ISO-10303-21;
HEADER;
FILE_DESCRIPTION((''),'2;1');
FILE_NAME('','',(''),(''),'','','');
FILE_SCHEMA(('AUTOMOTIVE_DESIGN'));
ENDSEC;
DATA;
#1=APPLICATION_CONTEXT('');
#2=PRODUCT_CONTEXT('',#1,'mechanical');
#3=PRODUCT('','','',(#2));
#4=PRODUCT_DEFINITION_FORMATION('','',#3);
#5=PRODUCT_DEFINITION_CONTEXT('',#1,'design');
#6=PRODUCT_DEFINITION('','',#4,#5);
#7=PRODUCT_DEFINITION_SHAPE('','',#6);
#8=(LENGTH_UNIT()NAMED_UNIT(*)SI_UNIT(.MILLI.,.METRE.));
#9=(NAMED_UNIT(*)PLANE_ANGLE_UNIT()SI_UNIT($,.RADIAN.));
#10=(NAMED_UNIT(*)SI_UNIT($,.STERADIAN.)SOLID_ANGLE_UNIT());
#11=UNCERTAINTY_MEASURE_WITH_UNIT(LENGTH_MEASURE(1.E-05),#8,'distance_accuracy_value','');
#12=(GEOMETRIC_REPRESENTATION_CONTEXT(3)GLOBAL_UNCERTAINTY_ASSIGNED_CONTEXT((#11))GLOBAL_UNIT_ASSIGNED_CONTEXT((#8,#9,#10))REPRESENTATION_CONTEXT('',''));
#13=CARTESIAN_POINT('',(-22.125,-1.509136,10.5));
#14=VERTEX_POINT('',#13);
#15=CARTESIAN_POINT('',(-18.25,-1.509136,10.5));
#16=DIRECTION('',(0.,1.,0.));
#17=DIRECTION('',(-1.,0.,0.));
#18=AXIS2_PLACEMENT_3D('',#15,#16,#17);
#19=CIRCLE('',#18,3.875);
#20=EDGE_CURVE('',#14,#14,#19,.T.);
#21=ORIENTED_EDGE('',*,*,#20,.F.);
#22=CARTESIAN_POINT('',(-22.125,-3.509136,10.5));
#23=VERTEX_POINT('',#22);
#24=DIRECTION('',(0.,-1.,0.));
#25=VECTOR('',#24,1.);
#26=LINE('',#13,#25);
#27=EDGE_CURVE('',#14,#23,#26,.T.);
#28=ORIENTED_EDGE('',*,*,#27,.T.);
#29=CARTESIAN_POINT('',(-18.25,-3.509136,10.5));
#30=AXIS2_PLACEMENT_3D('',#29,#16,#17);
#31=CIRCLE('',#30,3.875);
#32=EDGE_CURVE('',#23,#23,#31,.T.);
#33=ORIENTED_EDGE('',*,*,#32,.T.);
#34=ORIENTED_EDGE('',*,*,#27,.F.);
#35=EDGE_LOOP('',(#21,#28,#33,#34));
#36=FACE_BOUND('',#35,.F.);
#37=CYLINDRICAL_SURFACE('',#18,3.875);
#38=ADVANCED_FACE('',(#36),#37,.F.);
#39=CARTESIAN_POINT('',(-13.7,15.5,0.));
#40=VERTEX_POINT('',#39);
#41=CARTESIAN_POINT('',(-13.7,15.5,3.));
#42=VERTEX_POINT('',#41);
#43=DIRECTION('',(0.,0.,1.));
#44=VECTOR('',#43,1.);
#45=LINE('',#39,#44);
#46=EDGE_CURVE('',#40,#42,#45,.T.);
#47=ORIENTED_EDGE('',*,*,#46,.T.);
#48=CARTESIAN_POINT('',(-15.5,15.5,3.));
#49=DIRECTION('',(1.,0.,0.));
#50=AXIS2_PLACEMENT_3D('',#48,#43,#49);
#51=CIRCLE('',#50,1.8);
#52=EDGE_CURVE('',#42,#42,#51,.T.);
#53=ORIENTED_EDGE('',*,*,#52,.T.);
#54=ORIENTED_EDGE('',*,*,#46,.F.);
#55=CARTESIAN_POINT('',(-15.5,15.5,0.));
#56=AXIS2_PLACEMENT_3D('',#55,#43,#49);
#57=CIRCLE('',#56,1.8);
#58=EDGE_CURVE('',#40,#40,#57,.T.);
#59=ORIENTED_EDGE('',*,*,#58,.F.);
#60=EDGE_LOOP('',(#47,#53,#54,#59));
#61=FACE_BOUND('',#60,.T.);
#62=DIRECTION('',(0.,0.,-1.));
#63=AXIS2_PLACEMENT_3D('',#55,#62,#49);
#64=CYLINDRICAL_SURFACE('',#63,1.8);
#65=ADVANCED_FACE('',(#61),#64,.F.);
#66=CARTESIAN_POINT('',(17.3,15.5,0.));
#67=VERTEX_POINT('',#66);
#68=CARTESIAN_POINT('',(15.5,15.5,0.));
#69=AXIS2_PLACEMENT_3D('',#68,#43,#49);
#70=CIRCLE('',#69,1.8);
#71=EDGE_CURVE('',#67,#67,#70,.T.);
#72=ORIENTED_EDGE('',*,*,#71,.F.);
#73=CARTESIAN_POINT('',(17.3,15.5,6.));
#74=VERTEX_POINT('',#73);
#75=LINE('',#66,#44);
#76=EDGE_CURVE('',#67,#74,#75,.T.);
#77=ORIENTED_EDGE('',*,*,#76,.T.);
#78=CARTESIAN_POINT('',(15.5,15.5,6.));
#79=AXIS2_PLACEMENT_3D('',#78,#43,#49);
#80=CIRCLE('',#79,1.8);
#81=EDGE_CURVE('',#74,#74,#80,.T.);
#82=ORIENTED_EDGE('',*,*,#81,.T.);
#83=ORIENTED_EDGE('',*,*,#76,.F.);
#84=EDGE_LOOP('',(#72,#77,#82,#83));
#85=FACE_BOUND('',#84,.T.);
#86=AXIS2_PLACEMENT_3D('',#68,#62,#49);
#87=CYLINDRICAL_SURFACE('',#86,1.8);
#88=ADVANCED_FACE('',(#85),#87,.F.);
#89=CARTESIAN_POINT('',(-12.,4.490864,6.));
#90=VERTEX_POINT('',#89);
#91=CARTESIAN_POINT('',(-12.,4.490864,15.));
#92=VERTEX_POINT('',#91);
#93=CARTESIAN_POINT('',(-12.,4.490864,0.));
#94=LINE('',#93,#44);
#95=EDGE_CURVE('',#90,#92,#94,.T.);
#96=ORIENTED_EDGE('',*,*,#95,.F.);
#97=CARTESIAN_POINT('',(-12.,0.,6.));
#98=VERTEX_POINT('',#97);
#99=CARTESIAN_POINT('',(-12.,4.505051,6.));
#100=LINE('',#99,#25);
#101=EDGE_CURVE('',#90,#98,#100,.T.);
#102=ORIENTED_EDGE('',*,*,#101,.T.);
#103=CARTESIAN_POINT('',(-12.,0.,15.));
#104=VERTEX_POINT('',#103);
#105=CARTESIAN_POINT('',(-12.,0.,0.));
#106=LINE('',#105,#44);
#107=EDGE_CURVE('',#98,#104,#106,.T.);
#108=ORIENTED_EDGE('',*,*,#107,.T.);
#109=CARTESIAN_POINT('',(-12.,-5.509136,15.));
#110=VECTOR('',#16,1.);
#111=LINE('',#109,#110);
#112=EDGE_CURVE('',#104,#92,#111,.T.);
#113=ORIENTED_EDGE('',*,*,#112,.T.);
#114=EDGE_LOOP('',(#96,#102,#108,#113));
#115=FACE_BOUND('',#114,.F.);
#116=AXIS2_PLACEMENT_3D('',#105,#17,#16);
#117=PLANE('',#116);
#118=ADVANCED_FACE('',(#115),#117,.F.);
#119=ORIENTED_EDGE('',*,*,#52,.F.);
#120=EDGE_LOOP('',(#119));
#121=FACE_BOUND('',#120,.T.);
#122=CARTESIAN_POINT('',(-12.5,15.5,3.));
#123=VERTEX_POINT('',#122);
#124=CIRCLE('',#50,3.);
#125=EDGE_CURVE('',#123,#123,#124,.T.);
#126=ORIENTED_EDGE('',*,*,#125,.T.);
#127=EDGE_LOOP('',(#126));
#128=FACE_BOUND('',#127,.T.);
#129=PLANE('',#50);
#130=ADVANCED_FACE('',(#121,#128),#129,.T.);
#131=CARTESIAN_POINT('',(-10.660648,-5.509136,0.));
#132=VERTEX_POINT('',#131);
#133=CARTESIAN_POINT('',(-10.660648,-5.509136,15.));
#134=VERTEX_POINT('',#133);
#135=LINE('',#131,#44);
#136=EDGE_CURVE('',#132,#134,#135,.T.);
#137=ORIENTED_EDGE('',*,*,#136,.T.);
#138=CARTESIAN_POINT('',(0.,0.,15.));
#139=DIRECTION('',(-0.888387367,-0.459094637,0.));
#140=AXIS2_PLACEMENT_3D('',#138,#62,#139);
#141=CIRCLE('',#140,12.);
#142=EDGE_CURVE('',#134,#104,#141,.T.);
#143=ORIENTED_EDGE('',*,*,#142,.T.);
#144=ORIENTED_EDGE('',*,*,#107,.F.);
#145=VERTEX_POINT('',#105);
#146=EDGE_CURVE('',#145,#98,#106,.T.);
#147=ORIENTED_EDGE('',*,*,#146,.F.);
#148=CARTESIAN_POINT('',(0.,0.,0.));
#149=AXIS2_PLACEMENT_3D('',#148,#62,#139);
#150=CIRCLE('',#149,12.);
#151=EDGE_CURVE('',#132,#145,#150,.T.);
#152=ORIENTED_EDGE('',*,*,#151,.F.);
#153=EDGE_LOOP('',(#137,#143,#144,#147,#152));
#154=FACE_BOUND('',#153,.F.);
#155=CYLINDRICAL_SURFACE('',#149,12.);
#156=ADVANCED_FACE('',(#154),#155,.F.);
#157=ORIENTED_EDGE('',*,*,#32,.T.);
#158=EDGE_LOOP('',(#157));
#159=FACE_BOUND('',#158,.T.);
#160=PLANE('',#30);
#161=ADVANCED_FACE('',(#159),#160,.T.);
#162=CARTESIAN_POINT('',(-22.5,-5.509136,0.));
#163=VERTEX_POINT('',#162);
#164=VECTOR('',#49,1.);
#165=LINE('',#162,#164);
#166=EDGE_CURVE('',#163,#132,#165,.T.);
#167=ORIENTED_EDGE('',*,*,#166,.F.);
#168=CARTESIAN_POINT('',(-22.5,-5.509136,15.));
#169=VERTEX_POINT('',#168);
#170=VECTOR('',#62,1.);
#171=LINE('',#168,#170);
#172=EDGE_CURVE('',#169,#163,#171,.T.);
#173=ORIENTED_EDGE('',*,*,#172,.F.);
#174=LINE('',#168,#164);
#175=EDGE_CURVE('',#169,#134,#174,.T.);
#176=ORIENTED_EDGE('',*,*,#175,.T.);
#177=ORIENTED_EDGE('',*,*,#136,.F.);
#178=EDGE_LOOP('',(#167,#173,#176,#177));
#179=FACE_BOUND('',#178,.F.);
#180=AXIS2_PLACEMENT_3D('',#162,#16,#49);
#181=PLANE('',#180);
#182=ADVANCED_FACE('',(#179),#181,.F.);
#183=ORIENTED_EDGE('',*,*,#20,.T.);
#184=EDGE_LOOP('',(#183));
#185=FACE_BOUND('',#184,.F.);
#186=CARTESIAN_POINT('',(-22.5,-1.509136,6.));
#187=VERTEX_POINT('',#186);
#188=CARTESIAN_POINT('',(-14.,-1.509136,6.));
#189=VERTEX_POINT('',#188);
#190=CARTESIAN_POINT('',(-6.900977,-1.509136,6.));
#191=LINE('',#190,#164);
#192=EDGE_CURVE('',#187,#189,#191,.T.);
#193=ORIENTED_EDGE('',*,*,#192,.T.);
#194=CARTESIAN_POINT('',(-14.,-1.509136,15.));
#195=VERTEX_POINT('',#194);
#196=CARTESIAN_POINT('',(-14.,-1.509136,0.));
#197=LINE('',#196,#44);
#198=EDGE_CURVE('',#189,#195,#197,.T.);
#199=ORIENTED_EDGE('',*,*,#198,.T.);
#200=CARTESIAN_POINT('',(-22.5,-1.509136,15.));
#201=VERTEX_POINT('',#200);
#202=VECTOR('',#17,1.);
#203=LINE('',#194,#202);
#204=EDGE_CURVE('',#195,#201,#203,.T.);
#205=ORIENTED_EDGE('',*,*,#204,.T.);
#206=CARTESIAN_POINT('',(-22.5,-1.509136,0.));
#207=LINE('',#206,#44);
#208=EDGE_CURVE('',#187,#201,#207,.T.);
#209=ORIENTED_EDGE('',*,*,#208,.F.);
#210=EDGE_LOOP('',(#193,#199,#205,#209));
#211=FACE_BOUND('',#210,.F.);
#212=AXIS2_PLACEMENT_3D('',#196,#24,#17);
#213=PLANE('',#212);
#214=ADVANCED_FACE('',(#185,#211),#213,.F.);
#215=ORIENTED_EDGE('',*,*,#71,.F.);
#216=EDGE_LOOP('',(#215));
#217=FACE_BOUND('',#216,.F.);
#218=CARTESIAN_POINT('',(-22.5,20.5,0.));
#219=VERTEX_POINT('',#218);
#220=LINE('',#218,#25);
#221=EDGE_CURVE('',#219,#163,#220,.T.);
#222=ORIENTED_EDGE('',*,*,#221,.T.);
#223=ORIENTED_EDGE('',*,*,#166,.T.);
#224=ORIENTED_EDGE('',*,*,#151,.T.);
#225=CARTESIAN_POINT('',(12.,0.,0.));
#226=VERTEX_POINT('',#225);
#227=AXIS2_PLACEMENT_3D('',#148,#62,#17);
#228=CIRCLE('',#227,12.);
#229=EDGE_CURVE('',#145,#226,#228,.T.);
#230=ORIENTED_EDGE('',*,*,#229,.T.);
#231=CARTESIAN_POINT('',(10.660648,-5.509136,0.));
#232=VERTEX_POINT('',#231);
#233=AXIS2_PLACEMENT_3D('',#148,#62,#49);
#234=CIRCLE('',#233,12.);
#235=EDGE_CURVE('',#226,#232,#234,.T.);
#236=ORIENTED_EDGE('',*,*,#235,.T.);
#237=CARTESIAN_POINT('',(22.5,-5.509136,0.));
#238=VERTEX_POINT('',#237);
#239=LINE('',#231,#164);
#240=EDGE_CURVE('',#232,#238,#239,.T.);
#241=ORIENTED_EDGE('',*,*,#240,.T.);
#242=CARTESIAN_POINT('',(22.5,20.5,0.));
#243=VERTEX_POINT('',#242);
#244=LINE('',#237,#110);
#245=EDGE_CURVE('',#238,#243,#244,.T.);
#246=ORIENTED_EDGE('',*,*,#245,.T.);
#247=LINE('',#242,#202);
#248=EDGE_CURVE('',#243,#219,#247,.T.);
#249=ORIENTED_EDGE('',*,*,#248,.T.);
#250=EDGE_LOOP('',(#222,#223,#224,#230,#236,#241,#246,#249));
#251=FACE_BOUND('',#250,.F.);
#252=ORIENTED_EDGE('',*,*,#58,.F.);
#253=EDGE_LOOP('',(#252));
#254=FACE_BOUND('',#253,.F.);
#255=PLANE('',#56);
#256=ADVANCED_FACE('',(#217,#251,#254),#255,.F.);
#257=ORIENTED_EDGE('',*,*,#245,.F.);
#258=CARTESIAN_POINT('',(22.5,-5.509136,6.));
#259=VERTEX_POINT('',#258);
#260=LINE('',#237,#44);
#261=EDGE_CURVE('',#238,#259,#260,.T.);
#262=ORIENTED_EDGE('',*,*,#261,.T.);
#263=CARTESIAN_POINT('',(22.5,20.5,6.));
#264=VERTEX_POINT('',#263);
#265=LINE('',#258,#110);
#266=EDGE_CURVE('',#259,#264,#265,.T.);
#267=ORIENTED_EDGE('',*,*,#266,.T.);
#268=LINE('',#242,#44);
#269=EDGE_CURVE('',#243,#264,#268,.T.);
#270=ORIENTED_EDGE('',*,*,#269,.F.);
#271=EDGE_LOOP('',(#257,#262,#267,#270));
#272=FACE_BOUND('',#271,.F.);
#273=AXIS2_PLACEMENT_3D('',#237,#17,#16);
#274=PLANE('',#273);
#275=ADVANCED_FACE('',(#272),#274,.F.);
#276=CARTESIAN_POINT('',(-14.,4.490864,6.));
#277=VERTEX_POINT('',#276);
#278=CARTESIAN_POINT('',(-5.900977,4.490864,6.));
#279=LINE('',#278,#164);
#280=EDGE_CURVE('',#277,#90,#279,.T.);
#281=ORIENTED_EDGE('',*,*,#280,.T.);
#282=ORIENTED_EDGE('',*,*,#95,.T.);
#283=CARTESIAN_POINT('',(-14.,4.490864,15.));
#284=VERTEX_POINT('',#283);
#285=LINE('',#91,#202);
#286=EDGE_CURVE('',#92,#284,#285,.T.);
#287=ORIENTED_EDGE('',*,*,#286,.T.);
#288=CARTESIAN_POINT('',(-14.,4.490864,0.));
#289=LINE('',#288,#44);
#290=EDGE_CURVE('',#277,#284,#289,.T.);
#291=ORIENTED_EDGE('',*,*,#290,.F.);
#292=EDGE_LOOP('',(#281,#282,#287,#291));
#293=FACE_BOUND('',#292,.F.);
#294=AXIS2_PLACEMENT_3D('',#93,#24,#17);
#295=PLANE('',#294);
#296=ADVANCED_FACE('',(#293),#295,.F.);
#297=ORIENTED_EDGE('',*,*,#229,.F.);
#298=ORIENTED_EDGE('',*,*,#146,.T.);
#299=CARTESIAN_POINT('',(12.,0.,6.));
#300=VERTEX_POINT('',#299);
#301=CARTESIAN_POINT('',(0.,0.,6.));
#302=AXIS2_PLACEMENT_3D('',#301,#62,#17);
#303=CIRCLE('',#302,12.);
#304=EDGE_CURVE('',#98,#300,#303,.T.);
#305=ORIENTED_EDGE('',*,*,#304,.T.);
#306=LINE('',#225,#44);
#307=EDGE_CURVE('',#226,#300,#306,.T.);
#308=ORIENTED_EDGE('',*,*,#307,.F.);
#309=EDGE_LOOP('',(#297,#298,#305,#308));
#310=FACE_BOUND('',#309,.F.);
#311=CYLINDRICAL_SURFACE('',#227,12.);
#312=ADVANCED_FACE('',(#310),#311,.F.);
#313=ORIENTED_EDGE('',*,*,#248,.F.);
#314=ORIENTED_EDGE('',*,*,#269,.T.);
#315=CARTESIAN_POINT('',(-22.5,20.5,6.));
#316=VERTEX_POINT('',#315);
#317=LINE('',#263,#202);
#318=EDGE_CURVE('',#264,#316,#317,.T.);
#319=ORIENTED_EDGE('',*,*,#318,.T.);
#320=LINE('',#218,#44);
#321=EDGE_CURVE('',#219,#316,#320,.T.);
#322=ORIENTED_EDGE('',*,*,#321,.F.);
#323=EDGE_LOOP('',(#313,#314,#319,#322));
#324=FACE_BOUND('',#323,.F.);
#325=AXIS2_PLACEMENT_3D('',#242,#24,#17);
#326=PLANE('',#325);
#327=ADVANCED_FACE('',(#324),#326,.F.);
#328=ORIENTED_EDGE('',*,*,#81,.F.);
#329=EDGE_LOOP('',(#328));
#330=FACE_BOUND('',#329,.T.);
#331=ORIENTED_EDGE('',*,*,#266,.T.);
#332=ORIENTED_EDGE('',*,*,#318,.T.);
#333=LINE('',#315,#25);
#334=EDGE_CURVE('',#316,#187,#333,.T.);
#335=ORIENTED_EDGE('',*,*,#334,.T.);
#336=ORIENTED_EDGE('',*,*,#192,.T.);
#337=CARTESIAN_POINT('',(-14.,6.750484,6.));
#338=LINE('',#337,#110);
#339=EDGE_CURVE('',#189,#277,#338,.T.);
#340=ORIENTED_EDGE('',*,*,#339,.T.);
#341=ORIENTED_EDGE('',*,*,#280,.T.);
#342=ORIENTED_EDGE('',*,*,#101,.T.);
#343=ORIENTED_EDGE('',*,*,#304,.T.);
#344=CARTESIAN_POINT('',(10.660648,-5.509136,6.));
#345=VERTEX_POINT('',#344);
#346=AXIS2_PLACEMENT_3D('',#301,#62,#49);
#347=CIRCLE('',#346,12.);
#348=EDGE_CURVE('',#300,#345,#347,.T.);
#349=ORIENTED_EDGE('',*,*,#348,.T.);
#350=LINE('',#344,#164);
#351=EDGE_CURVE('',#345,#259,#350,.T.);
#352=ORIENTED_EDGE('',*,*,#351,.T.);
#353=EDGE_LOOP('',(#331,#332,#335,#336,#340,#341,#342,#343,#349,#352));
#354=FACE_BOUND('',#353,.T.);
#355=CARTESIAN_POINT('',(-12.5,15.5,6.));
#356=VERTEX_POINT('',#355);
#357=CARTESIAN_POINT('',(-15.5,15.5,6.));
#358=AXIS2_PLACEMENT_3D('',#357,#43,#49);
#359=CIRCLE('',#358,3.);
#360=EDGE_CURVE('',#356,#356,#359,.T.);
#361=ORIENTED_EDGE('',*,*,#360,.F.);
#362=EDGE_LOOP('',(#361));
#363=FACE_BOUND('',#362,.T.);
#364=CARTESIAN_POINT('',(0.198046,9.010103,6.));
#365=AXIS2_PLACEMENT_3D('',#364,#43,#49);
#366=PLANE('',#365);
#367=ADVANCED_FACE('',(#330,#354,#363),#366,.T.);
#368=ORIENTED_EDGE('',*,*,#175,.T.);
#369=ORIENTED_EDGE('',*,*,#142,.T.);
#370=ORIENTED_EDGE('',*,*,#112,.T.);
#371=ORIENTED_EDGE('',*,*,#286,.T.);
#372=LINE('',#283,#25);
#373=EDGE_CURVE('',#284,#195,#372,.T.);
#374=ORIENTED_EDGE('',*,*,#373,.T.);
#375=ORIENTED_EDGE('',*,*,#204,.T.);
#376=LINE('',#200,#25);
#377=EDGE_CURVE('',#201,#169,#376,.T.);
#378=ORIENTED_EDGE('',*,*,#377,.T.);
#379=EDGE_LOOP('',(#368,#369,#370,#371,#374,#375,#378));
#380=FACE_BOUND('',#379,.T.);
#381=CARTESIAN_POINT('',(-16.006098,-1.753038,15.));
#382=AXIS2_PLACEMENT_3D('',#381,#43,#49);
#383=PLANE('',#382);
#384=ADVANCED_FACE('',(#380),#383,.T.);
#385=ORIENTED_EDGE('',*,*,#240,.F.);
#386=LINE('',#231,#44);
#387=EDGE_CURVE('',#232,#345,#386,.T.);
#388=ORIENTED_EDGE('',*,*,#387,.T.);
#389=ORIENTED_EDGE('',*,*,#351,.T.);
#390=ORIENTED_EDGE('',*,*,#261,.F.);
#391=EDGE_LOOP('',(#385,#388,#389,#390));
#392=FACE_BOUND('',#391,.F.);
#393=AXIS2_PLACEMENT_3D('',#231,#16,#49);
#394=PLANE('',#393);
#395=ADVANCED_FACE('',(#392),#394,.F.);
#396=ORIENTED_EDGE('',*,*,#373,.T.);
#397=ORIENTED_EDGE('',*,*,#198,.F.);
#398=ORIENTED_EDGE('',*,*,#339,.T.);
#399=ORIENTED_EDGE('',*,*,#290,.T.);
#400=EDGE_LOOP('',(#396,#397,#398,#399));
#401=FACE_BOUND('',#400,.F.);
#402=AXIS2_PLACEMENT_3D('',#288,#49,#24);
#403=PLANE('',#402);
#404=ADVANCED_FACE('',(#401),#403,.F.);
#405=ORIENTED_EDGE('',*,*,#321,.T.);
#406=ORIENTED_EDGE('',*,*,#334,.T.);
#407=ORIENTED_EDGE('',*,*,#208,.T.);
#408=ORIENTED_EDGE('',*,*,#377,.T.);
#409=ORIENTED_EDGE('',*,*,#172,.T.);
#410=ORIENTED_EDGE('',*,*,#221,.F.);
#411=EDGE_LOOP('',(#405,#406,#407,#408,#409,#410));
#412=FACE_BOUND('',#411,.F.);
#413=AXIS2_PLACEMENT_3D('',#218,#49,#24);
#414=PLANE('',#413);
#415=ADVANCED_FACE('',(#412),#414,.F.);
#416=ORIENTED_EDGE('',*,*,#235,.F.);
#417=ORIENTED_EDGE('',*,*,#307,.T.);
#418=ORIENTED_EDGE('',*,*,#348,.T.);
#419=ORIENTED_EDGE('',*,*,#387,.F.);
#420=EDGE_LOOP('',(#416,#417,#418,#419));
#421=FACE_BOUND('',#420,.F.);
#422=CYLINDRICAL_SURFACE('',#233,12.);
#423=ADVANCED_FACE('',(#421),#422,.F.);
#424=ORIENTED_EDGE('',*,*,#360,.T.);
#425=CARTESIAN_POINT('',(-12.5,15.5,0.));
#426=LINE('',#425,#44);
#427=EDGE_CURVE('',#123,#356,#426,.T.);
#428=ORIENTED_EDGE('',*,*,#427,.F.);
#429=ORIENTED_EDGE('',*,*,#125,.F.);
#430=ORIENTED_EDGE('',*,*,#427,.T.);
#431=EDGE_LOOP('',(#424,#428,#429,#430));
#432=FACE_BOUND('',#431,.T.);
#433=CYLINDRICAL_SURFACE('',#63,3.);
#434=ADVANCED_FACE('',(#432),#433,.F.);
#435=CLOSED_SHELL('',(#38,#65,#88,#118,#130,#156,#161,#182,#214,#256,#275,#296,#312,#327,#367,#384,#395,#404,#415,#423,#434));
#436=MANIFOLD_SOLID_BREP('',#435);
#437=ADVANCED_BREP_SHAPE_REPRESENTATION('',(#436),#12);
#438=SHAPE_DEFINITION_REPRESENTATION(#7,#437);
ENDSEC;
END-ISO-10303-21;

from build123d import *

# Parameters (mm, degrees)
F0_R     = 3
F0_R_2   = 1.8
F1_DEPTH = 6
F2_DEPTH = 15
F3_DEPTH = 3
F4_R     = 3.875
F5_DEPTH = 2


with BuildPart() as f1:
    # F0 (on Top) → F1 (new body)
    with BuildSketch(Plane.XY):
        with BuildLine():
            Line((10.6606484084, -5.5091356412), (22.5, -5.5091356412))
            Line((22.5, -5.5091356412), (22.5, 20.5))
            Line((22.5, 20.5), (-22.5, 20.5))
            Line((-22.5, 20.5), (-22.5, -1.5091356412))
            Line((-22.5, -1.5091356412), (-14, -1.5091356412))
            Line((-14, -1.5091356412), (-14, 4.4908643588))
            Line((-14, 4.4908643588), (-12, 4.4908643588))
            Line((-12, 4.4908643588), (-12, 0))
            ThreePointArc((-12, 0), (0, 12), (12, 0))
            ThreePointArc((12, 0), (11.6603555027, -2.8348032647), (10.6606484084, -5.5091356412))
        make_face()
        with Locations((-15.5, 15.5)):
            Circle(F0_R, mode=Mode.SUBTRACT)
        with Locations((15.5, 15.5)):
            Circle(F0_R, mode=Mode.SUBTRACT)
        Polygon((-14, -1.5091356412), (-22.5, -1.5091356412), (-22.5, -5.5091356412), (-12, -5.5091356412), (-12, 0), (-12, 4.4908643588), (-14, 4.4908643588), align=None)
        with Locations((15.5, 15.5)):
            Circle(F0_R)
        with Locations((15.5, 15.5)):
            Circle(F0_R_2, mode=Mode.SUBTRACT)
    extrude(amount=F1_DEPTH)

    # F0 (on Top) → F2 (join)
    with BuildSketch(Plane.XY):
        Polygon((-14, -1.5091356412), (-22.5, -1.5091356412), (-22.5, -5.5091356412), (-12, -5.5091356412), (-12, 0), (-12, 4.4908643588), (-14, 4.4908643588), align=None)
        with BuildLine():
            Line((-12, -5.5091356412), (-10.6606484084, -5.5091356412))
            ThreePointArc((-10.6606484084, -5.5091356412), (-11.6603555027, -2.8348032647), (-12, 0))
            Line((-12, 0), (-12, -5.5091356412))
        make_face()
    extrude(amount=F2_DEPTH)

    # F0 (on Top) → F3 (join)
    with BuildSketch(Plane.XY):
        with Locations((-15.5, 15.5)):
            Circle(F0_R)
        with Locations((-15.5, 15.5)):
            Circle(F0_R_2, mode=Mode.SUBTRACT)
    extrude(amount=F3_DEPTH)

    # F4 (on face) → F5 (cut)
    with BuildSketch(Plane(origin=(0, -1.5091356412, 0), x_dir=(-1, 0, 0), z_dir=(0, 1, 0))):
        with Locations((18.25, 10.5)):
            Circle(F4_R)
    extrude(amount=-F5_DEPTH, mode=Mode.SUBTRACT)


solid = f1.part
